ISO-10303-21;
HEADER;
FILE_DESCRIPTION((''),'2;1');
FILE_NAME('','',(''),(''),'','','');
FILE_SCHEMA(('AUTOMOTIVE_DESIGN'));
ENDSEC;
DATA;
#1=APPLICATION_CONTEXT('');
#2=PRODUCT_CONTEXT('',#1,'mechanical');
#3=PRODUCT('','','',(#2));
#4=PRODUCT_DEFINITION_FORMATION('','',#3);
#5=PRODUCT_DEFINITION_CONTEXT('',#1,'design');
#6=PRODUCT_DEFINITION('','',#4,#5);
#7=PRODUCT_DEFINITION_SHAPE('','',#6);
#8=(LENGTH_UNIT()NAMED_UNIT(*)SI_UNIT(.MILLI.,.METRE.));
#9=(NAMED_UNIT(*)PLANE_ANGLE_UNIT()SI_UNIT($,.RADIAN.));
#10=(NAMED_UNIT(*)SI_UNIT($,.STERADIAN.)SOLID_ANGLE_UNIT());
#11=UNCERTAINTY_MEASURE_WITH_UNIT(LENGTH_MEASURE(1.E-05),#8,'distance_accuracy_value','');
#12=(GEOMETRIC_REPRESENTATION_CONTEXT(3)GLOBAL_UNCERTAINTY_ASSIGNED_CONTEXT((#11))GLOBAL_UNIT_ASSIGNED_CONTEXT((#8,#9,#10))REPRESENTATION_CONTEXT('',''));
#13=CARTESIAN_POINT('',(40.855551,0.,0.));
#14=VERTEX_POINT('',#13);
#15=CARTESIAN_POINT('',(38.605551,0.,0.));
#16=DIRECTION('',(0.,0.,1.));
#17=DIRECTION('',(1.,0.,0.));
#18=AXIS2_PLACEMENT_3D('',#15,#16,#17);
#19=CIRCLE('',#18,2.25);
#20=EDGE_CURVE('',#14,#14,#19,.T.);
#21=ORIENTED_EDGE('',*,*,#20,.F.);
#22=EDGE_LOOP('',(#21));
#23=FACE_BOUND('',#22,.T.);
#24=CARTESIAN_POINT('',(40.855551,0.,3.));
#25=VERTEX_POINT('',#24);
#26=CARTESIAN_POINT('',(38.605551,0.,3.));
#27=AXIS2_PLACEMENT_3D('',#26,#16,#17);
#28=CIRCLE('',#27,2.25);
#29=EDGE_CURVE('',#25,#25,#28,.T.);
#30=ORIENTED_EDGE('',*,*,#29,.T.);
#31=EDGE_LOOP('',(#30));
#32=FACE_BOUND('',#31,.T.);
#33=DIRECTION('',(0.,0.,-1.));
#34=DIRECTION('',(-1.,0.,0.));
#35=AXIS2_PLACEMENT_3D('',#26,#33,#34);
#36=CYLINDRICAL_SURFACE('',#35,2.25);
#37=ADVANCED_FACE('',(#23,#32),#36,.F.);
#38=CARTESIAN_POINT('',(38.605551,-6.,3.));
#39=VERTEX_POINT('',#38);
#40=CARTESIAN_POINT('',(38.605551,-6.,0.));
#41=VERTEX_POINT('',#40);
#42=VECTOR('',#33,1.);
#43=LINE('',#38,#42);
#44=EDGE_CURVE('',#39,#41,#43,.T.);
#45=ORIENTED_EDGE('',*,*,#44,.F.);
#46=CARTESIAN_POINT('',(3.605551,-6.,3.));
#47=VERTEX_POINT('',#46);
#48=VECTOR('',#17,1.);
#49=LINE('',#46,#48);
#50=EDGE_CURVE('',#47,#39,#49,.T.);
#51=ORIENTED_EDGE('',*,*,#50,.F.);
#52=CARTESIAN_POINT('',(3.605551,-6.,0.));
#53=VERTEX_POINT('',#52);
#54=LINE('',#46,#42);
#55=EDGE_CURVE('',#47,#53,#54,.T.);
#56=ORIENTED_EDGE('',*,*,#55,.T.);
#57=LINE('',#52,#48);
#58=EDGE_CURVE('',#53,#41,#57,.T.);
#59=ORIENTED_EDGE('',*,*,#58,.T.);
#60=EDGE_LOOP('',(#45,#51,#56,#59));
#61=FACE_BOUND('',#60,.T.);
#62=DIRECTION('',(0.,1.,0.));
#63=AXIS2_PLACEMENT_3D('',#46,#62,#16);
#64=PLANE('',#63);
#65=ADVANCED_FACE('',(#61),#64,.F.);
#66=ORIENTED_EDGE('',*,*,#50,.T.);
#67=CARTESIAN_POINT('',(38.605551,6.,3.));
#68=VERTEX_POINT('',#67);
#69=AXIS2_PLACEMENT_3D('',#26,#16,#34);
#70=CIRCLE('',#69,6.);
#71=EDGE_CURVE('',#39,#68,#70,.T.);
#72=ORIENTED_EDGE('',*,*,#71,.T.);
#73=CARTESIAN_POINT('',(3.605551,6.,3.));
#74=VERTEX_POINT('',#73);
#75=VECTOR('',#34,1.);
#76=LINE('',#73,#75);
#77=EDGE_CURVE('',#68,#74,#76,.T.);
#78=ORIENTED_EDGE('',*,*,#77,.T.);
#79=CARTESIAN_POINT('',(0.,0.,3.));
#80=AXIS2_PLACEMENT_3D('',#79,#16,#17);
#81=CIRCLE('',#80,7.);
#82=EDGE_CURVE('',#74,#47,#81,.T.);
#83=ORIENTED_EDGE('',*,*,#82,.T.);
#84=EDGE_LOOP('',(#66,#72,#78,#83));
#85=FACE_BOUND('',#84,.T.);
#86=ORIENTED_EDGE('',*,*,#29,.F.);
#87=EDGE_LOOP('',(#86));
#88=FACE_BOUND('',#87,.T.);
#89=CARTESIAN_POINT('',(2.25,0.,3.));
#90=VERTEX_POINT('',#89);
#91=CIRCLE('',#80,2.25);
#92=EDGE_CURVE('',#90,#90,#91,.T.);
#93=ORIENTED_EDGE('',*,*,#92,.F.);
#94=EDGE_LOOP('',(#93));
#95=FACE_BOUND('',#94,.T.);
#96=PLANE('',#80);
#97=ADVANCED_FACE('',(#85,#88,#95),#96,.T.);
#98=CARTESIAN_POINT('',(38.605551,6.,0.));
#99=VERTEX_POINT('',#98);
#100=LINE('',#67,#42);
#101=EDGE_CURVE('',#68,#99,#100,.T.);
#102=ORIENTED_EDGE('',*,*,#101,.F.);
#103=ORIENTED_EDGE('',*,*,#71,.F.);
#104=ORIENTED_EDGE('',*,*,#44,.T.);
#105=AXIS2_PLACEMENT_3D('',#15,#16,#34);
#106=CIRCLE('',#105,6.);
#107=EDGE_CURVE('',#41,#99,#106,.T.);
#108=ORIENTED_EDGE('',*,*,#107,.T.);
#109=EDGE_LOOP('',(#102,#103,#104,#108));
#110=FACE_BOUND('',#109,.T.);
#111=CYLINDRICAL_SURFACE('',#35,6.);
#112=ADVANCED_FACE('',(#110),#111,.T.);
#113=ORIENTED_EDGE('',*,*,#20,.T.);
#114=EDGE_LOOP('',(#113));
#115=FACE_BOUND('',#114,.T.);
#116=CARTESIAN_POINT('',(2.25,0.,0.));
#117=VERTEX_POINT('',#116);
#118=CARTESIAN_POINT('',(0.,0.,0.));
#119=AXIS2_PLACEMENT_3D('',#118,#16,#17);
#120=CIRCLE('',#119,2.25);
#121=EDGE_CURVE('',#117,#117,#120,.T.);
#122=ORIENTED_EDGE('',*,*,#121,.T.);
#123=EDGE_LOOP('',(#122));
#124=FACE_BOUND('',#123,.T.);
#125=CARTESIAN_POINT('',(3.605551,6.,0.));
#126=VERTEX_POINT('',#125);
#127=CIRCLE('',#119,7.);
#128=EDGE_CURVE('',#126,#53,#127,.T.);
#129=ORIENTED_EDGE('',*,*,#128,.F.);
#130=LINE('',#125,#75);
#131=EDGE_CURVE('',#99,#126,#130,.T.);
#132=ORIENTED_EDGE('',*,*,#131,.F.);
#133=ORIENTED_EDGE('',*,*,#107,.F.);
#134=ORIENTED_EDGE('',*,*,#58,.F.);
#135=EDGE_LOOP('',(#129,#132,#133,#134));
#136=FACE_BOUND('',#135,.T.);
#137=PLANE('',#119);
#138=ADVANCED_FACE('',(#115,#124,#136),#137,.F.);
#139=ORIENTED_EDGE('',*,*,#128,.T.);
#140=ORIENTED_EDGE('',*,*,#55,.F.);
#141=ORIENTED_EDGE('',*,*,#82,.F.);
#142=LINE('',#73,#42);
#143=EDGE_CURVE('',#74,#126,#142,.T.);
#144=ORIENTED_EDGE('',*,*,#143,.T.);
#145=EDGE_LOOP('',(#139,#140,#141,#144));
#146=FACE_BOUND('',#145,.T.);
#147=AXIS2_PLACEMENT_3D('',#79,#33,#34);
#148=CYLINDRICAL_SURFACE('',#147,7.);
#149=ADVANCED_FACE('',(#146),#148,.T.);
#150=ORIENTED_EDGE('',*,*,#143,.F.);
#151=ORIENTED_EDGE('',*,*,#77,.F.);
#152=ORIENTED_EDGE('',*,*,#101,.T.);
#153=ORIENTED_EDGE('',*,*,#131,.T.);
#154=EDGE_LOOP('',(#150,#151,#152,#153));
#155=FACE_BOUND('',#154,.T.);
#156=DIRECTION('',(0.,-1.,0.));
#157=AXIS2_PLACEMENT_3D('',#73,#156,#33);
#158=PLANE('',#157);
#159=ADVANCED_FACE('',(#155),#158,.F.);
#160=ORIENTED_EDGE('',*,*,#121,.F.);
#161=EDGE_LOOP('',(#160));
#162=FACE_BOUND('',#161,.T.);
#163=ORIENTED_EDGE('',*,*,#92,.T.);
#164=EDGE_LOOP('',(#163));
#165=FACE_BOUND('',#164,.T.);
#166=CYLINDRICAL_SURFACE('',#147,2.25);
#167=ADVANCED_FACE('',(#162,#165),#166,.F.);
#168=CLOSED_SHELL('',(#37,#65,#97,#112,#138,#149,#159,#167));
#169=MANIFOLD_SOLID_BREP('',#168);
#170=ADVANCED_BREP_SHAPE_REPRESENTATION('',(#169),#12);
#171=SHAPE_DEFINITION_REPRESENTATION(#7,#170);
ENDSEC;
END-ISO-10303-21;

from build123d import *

# Parameters (mm, degrees)
SKETCH1_R           = 2.25
BOSS_EXTRUDE1_DEPTH = 3


with BuildPart() as part:
    # Sketch1 → Boss-Extrude1 (new body)
    with BuildSketch(Plane.XY):
        with BuildLine():
            Line((3.605551275, 6), (38.605551275, 6))
            ThreePointArc((38.605551275, 6), (44.605551275, 0), (38.605551275, -6))
            Line((38.605551275, -6), (3.605551275, -6))
            ThreePointArc((3.605551275, -6), (-7, 0), (3.605551275, 6))
        make_face()
        Circle(SKETCH1_R, mode=Mode.SUBTRACT)
        with Locations((38.605551275, 0)):
            Circle(SKETCH1_R, mode=Mode.SUBTRACT)
    extrude(amount=BOSS_EXTRUDE1_DEPTH)


solid = part.part
